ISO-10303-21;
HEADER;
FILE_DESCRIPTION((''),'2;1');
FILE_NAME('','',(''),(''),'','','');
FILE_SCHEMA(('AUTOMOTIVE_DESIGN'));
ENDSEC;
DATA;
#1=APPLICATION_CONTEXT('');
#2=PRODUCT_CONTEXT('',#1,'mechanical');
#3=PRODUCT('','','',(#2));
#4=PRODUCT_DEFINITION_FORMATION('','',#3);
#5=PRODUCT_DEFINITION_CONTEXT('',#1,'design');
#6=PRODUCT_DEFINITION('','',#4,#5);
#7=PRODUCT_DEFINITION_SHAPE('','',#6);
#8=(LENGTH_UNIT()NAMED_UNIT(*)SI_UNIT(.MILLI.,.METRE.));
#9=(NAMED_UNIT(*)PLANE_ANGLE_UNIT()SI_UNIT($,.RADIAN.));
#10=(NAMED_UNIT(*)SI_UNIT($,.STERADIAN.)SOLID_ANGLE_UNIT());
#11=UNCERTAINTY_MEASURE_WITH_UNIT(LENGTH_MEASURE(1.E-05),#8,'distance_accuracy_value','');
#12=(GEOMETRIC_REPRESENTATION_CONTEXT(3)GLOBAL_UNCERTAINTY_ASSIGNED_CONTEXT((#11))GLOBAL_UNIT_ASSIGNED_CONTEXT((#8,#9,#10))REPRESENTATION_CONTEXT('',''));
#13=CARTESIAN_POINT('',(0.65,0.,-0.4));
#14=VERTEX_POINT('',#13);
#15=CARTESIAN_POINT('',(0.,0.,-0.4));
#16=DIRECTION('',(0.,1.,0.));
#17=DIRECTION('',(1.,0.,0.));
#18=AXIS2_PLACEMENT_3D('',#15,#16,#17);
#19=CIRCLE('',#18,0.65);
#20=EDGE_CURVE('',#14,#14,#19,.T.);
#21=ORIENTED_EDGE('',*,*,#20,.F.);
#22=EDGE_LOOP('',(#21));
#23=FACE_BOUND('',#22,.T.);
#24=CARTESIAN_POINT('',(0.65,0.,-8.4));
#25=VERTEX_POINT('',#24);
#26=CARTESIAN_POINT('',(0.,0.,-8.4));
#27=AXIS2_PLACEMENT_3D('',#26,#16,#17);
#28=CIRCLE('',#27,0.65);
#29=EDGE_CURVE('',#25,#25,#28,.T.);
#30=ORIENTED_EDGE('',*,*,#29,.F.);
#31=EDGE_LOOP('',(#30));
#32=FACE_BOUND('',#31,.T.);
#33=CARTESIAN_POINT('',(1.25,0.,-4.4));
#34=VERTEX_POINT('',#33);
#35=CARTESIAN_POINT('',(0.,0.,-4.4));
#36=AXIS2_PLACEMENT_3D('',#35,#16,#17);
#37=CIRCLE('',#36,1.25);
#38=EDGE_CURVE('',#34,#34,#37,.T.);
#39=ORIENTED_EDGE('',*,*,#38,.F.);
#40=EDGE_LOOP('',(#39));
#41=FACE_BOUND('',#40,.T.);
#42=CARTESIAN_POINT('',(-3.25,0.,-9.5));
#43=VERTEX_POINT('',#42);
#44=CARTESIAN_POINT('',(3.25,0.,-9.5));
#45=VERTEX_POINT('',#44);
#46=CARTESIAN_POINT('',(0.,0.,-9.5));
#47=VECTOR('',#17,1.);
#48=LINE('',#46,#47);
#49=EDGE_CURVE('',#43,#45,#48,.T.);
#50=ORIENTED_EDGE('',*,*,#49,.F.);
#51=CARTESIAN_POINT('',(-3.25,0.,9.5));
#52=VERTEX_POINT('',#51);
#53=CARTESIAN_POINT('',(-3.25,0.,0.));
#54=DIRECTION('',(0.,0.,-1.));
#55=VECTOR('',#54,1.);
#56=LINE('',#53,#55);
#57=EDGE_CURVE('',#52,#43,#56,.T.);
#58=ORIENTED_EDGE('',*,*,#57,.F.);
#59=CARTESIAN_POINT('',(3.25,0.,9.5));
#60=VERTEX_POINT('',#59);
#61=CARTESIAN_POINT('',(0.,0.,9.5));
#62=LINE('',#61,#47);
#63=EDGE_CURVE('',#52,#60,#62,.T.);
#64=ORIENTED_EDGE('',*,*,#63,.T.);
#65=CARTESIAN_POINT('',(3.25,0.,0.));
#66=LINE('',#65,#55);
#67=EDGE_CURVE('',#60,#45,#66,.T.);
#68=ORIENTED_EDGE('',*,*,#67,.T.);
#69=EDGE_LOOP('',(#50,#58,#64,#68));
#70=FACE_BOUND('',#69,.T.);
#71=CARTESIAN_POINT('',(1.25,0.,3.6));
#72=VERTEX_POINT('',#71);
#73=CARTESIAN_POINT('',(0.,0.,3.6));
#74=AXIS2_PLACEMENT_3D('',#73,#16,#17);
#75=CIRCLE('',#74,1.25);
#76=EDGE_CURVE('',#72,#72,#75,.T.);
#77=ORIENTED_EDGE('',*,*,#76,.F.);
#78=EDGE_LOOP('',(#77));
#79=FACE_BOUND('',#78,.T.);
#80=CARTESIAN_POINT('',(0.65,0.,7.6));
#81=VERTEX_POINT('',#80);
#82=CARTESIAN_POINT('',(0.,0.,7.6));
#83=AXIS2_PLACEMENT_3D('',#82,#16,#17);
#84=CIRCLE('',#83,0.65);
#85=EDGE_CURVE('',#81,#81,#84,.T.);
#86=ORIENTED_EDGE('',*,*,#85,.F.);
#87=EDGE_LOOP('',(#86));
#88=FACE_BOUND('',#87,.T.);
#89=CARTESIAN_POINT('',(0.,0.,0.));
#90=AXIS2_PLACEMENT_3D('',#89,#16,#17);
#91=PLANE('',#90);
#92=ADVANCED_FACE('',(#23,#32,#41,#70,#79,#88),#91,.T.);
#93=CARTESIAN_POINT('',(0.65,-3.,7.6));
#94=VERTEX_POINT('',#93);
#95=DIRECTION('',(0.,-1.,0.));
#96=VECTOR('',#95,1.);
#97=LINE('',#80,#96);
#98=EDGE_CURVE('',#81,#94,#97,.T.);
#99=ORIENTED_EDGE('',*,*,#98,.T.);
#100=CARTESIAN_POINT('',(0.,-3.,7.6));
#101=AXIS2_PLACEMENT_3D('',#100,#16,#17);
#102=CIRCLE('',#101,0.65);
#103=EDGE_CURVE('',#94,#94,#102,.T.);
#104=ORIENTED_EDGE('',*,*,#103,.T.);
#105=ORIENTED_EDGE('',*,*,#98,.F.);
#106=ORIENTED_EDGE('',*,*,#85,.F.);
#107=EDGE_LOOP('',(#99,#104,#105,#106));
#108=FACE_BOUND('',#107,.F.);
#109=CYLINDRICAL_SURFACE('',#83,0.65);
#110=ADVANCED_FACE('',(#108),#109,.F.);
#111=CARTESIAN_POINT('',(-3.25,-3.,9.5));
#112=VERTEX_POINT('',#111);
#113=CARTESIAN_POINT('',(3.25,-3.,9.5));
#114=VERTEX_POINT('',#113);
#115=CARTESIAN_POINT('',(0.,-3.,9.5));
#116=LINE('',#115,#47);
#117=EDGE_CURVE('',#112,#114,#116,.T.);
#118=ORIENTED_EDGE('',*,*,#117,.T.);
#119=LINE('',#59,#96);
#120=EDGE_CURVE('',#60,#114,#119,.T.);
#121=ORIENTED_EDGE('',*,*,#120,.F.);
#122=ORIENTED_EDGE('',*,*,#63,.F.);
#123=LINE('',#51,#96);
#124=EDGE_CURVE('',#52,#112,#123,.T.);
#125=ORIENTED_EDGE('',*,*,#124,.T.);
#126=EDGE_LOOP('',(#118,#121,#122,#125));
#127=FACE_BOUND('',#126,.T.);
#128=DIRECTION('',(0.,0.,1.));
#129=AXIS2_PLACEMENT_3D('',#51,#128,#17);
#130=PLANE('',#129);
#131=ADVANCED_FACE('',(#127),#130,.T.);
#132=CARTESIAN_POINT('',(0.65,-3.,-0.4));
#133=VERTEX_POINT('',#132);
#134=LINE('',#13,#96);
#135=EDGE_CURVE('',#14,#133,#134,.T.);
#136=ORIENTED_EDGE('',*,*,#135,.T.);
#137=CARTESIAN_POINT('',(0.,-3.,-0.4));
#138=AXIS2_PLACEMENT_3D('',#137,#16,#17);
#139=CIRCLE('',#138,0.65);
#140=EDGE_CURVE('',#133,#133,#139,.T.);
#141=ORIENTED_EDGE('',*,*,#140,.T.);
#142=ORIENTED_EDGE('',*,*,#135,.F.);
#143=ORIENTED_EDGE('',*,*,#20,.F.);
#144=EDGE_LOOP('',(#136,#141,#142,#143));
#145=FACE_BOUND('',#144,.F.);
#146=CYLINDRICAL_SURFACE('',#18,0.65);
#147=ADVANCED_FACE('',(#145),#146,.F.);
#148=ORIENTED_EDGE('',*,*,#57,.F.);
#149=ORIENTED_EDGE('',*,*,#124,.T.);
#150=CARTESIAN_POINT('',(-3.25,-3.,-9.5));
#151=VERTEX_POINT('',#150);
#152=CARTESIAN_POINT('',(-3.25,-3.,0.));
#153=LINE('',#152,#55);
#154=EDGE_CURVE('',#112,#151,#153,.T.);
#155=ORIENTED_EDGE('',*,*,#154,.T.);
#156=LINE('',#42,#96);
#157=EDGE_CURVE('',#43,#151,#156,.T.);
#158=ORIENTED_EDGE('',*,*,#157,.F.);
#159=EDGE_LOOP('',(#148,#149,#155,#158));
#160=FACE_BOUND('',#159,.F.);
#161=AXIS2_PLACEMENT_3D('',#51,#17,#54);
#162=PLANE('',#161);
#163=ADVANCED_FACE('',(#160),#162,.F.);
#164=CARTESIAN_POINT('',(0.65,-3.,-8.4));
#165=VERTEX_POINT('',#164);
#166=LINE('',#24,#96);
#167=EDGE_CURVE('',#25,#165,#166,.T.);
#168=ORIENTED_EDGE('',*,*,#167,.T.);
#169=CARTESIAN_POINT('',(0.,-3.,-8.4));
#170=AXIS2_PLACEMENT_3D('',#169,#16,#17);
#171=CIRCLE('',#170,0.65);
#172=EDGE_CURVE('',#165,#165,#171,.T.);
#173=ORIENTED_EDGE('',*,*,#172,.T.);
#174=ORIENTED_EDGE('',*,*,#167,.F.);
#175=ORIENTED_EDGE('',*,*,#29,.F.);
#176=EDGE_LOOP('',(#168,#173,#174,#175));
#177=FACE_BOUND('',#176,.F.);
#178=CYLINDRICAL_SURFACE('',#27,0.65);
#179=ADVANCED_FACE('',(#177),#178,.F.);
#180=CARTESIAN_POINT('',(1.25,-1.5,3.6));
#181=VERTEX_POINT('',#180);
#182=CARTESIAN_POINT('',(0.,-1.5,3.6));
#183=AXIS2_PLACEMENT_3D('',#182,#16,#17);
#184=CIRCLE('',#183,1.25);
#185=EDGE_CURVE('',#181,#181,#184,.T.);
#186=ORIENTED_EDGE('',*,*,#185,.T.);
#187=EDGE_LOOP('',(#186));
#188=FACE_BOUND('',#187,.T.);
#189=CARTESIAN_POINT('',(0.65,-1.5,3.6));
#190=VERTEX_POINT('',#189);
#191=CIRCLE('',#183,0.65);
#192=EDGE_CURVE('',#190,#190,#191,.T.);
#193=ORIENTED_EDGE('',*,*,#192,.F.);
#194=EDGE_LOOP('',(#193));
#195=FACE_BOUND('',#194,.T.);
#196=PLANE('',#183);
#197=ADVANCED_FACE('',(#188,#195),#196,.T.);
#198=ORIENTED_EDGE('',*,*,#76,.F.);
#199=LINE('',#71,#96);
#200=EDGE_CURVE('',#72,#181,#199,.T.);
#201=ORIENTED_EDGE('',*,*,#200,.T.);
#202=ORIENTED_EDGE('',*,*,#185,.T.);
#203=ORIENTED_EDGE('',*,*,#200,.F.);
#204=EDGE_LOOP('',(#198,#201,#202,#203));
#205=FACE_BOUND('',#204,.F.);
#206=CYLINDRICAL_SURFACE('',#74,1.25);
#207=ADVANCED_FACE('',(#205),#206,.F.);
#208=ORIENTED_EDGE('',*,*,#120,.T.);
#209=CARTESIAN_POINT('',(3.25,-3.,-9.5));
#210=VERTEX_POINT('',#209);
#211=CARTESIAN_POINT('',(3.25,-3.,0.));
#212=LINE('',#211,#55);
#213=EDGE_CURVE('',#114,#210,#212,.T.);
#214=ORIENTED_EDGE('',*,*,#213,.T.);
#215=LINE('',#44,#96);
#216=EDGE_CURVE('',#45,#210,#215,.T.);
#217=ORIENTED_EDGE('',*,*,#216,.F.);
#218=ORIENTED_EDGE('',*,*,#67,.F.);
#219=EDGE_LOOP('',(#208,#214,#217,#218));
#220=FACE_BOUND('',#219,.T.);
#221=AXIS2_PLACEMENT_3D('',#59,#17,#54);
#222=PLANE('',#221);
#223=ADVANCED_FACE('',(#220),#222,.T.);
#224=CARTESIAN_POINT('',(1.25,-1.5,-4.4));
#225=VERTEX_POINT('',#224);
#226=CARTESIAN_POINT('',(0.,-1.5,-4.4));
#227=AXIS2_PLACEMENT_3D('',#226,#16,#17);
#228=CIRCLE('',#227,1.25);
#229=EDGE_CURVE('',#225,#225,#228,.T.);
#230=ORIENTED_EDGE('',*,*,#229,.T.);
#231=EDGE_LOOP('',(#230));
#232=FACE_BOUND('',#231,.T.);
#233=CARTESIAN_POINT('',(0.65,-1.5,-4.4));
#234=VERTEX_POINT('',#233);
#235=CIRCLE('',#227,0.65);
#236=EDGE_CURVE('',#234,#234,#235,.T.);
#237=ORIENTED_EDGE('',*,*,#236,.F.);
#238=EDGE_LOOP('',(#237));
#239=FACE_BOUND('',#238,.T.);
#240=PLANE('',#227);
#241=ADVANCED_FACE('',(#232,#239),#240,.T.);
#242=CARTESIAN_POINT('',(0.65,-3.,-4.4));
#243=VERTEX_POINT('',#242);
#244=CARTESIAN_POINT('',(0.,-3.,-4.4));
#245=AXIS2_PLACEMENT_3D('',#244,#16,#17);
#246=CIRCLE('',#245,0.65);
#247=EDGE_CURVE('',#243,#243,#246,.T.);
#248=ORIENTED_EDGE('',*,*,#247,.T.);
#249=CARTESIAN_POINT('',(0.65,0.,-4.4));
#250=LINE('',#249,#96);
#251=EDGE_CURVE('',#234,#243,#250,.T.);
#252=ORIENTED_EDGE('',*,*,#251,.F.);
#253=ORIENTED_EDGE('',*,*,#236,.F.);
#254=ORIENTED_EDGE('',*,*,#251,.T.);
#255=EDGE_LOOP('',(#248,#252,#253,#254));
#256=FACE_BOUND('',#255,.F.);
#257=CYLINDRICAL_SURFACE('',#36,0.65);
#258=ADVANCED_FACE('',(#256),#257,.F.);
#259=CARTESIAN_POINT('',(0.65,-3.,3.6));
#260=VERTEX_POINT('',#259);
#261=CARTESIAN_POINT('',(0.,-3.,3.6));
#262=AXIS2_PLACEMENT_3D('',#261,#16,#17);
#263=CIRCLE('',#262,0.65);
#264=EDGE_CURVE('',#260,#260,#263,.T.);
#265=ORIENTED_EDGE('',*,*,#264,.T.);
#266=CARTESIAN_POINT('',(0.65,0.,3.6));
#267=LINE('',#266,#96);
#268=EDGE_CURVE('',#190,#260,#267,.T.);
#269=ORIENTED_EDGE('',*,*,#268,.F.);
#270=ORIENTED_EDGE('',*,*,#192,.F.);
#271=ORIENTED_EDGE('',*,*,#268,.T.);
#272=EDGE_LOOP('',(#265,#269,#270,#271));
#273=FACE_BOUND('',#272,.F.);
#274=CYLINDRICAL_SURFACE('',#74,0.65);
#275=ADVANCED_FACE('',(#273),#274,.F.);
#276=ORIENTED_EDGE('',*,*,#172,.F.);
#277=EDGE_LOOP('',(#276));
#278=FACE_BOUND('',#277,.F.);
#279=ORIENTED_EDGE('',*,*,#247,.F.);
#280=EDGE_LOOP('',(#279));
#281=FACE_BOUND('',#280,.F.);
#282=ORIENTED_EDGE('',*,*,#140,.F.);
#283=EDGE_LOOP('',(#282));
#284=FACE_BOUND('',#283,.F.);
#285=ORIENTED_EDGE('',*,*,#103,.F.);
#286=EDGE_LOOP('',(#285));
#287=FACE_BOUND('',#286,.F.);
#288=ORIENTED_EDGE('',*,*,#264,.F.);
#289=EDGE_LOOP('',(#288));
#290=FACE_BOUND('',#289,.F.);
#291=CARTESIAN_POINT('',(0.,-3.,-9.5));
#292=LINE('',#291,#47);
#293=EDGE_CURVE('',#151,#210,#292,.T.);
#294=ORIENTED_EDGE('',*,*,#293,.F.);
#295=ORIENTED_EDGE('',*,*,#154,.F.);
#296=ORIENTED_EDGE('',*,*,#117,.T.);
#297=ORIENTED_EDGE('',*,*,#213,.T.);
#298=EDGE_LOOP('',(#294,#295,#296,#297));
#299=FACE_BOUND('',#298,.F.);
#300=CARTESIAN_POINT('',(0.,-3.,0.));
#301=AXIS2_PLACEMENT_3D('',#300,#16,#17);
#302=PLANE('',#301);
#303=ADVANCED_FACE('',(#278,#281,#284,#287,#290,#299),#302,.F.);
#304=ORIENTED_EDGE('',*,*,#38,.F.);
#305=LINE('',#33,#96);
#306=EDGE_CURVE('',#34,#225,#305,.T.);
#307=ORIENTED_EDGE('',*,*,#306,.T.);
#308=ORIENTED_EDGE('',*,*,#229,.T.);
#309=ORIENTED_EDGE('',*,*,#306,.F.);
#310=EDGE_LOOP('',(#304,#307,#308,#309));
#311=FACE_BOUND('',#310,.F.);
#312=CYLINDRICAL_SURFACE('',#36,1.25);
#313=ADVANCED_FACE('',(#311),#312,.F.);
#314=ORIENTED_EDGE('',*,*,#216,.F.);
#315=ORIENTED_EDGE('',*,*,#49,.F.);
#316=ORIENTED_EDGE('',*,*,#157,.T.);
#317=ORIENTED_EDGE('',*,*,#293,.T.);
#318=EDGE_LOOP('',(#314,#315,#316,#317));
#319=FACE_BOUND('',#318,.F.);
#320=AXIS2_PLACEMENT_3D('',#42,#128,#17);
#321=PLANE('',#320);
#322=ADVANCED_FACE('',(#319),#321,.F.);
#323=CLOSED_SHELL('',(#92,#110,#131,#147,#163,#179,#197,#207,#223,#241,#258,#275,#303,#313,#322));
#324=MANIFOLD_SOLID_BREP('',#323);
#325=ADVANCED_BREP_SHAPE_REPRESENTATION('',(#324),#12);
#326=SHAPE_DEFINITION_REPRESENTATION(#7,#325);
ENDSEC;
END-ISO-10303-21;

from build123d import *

# Parameters (mm, degrees)
SKETCH1_W                    = 6.5
SKETCH1_H                    = 19
BOSS_BODY_DEPTH              = 3
SKETCH2_R                    = 0.65
CUT_SCREW_HOLES_DEPTH        = 4
SKETCH4_R                    = 1.25
CUT_SCREW_HEAD_POCKETS_DEPTH = 1.5


with BuildPart() as part:
    # Sketch1 → Boss-Body (new body)
    with BuildSketch(Plane(origin=(0, 0, 0), x_dir=(1, 0, 0), z_dir=(0, 1, 0))):
        Rectangle(SKETCH1_W, SKETCH1_H)
    extrude(amount=-BOSS_BODY_DEPTH)

    # Sketch2 → Cut-Screw Holes (cut, through all)
    with BuildSketch(Plane(origin=(0, 0, 0), x_dir=(1, 0, 0), z_dir=(0, 1, 0))):
        with Locations((0, -7.6)):
            Circle(SKETCH2_R)
        with Locations((0, 0.4)):
            Circle(SKETCH2_R)
        with Locations((0, 8.4)):
            Circle(SKETCH2_R)
        with Locations((0, 4.4)):
            Circle(SKETCH2_R)
        with Locations((0, -3.6)):
            Circle(SKETCH2_R)
    extrude(amount=-CUT_SCREW_HOLES_DEPTH, mode=Mode.SUBTRACT)

    # Sketch4 → Cut-Screw Head Pockets (cut)
    with BuildSketch(Plane(origin=(0, 0, 0), x_dir=(1, 0, 0), z_dir=(0, 1, 0))):
        with Locations((0, 4.4)):
            Circle(SKETCH4_R)
        with Locations((0, -3.6)):
            Circle(SKETCH4_R)
    extrude(amount=-CUT_SCREW_HEAD_POCKETS_DEPTH, mode=Mode.SUBTRACT)


solid = part.part
